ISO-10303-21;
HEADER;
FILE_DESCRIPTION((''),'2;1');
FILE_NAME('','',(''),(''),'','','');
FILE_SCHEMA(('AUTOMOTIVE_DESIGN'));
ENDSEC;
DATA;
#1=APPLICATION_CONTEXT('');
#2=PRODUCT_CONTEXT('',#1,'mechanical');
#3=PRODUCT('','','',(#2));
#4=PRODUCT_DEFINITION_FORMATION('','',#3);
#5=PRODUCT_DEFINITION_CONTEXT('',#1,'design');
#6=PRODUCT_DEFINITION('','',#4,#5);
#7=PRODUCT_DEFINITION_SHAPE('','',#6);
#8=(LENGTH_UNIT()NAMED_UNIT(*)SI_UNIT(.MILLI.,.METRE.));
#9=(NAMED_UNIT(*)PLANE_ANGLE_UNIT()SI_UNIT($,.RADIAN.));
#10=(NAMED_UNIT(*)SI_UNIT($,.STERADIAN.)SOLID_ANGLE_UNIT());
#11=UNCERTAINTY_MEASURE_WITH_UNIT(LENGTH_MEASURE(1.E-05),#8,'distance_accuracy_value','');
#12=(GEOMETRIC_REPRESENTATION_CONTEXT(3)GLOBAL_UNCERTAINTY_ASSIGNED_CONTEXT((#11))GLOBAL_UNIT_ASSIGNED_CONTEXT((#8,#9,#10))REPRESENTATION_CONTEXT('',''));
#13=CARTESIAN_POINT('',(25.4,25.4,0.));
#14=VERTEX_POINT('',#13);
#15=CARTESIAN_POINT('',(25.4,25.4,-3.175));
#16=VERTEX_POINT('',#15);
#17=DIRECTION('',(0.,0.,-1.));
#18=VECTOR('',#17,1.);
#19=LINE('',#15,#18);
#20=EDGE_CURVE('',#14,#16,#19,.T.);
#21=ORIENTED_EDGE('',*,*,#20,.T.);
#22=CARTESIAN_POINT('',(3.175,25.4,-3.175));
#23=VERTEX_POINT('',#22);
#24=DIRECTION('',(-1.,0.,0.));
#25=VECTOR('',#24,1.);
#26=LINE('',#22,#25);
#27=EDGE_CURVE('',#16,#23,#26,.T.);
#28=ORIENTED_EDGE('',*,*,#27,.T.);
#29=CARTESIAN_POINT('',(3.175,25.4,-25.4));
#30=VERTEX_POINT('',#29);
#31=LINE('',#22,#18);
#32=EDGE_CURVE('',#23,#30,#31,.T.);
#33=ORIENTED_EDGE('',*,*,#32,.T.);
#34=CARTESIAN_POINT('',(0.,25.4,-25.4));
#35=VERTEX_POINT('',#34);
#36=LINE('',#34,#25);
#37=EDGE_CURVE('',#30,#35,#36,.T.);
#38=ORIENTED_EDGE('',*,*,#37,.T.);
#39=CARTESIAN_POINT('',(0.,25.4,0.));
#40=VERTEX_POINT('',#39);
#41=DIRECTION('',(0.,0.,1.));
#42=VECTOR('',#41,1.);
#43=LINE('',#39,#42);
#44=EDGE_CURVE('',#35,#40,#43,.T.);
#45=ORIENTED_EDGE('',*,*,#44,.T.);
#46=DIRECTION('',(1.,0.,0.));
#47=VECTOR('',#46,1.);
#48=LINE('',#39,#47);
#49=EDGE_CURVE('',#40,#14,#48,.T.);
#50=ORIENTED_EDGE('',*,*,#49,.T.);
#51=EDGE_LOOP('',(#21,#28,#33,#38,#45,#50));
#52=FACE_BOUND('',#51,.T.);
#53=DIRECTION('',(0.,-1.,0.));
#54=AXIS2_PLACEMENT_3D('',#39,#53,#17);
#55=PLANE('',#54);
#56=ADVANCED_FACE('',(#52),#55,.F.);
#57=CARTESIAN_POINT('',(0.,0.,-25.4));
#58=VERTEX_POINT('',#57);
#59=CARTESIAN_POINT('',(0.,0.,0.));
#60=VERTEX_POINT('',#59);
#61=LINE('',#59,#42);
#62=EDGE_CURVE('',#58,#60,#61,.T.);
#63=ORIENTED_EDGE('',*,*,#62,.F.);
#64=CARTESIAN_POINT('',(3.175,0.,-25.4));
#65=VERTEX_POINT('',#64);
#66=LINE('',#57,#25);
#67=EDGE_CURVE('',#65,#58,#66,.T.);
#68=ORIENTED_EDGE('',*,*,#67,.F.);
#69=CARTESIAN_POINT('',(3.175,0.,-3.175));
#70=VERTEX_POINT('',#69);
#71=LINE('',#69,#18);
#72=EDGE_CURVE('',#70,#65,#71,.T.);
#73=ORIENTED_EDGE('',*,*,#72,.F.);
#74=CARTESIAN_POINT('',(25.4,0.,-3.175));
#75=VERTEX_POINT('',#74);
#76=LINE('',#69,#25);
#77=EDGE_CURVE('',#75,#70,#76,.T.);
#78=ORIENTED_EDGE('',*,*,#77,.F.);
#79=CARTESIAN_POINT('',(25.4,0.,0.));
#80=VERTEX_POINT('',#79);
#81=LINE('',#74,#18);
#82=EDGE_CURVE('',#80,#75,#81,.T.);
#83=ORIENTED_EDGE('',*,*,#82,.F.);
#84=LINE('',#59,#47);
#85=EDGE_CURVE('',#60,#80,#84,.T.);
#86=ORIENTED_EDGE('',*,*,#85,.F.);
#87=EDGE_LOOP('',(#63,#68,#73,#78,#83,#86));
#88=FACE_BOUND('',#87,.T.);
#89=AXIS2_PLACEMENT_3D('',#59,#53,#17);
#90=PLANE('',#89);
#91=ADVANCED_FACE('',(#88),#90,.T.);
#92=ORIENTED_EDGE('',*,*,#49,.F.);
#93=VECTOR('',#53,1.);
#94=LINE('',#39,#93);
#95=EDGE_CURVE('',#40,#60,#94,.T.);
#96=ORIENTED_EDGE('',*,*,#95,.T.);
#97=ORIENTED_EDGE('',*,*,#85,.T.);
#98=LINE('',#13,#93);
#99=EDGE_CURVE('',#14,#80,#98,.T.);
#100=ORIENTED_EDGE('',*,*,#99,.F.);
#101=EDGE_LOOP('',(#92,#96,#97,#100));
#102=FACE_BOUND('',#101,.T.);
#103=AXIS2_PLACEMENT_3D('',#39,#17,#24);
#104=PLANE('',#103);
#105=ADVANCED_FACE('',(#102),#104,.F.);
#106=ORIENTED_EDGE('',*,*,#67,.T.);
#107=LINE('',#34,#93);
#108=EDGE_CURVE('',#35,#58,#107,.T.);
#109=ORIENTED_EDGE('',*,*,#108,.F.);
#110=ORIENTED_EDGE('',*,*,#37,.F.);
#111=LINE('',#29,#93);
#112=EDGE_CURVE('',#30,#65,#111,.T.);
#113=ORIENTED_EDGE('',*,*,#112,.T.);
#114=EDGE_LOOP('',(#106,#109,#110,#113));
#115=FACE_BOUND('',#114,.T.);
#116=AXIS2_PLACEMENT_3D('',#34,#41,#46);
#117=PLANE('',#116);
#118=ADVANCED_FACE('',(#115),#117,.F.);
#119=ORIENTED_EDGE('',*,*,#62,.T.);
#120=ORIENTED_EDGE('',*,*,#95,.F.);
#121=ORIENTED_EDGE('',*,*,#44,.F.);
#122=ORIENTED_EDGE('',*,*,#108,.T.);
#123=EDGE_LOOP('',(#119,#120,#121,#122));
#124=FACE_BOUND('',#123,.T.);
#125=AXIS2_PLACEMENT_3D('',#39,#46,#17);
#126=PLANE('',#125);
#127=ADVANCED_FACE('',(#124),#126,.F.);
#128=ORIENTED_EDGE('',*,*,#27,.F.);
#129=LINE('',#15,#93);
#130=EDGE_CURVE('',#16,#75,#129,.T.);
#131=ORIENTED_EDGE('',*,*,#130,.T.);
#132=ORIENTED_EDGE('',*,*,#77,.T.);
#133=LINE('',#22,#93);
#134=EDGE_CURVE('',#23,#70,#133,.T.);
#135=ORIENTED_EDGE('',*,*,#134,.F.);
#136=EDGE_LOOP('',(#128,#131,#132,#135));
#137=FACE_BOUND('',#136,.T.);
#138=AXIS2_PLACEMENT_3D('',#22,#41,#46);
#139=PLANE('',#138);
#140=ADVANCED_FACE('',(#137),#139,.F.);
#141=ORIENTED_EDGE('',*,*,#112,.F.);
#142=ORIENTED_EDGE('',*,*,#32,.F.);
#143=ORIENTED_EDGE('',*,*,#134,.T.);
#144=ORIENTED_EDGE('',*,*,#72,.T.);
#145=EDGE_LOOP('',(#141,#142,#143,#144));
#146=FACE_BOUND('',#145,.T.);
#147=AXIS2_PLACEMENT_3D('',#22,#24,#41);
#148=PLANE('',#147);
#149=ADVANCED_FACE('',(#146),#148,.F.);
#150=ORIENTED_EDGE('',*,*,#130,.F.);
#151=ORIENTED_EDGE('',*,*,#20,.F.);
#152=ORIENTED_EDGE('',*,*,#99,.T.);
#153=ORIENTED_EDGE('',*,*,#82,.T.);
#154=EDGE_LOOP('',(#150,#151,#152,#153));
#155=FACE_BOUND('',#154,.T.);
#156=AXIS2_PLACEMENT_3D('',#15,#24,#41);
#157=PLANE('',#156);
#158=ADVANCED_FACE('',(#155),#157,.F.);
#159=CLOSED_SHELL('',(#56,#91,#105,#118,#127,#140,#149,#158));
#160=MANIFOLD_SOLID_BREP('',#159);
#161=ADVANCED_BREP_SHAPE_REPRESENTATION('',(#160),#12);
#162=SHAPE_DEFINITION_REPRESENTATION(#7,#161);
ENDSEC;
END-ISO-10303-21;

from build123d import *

# Parameters (mm, degrees)
BOSS_EXTRUDE1_DEPTH = 25.4


with BuildPart() as part:
    # Sketch1 → Boss-Extrude1 (new body)
    with BuildSketch(Plane(origin=(0, 0, 0), x_dir=(1, 0, 0), z_dir=(0, 1, 0))):
        Polygon((0, 0), (0, 25.4), (3.175, 25.4), (3.175, 3.175), (25.4, 3.175), (25.4, 0), align=None)
    extrude(amount=BOSS_EXTRUDE1_DEPTH)


solid = part.part
